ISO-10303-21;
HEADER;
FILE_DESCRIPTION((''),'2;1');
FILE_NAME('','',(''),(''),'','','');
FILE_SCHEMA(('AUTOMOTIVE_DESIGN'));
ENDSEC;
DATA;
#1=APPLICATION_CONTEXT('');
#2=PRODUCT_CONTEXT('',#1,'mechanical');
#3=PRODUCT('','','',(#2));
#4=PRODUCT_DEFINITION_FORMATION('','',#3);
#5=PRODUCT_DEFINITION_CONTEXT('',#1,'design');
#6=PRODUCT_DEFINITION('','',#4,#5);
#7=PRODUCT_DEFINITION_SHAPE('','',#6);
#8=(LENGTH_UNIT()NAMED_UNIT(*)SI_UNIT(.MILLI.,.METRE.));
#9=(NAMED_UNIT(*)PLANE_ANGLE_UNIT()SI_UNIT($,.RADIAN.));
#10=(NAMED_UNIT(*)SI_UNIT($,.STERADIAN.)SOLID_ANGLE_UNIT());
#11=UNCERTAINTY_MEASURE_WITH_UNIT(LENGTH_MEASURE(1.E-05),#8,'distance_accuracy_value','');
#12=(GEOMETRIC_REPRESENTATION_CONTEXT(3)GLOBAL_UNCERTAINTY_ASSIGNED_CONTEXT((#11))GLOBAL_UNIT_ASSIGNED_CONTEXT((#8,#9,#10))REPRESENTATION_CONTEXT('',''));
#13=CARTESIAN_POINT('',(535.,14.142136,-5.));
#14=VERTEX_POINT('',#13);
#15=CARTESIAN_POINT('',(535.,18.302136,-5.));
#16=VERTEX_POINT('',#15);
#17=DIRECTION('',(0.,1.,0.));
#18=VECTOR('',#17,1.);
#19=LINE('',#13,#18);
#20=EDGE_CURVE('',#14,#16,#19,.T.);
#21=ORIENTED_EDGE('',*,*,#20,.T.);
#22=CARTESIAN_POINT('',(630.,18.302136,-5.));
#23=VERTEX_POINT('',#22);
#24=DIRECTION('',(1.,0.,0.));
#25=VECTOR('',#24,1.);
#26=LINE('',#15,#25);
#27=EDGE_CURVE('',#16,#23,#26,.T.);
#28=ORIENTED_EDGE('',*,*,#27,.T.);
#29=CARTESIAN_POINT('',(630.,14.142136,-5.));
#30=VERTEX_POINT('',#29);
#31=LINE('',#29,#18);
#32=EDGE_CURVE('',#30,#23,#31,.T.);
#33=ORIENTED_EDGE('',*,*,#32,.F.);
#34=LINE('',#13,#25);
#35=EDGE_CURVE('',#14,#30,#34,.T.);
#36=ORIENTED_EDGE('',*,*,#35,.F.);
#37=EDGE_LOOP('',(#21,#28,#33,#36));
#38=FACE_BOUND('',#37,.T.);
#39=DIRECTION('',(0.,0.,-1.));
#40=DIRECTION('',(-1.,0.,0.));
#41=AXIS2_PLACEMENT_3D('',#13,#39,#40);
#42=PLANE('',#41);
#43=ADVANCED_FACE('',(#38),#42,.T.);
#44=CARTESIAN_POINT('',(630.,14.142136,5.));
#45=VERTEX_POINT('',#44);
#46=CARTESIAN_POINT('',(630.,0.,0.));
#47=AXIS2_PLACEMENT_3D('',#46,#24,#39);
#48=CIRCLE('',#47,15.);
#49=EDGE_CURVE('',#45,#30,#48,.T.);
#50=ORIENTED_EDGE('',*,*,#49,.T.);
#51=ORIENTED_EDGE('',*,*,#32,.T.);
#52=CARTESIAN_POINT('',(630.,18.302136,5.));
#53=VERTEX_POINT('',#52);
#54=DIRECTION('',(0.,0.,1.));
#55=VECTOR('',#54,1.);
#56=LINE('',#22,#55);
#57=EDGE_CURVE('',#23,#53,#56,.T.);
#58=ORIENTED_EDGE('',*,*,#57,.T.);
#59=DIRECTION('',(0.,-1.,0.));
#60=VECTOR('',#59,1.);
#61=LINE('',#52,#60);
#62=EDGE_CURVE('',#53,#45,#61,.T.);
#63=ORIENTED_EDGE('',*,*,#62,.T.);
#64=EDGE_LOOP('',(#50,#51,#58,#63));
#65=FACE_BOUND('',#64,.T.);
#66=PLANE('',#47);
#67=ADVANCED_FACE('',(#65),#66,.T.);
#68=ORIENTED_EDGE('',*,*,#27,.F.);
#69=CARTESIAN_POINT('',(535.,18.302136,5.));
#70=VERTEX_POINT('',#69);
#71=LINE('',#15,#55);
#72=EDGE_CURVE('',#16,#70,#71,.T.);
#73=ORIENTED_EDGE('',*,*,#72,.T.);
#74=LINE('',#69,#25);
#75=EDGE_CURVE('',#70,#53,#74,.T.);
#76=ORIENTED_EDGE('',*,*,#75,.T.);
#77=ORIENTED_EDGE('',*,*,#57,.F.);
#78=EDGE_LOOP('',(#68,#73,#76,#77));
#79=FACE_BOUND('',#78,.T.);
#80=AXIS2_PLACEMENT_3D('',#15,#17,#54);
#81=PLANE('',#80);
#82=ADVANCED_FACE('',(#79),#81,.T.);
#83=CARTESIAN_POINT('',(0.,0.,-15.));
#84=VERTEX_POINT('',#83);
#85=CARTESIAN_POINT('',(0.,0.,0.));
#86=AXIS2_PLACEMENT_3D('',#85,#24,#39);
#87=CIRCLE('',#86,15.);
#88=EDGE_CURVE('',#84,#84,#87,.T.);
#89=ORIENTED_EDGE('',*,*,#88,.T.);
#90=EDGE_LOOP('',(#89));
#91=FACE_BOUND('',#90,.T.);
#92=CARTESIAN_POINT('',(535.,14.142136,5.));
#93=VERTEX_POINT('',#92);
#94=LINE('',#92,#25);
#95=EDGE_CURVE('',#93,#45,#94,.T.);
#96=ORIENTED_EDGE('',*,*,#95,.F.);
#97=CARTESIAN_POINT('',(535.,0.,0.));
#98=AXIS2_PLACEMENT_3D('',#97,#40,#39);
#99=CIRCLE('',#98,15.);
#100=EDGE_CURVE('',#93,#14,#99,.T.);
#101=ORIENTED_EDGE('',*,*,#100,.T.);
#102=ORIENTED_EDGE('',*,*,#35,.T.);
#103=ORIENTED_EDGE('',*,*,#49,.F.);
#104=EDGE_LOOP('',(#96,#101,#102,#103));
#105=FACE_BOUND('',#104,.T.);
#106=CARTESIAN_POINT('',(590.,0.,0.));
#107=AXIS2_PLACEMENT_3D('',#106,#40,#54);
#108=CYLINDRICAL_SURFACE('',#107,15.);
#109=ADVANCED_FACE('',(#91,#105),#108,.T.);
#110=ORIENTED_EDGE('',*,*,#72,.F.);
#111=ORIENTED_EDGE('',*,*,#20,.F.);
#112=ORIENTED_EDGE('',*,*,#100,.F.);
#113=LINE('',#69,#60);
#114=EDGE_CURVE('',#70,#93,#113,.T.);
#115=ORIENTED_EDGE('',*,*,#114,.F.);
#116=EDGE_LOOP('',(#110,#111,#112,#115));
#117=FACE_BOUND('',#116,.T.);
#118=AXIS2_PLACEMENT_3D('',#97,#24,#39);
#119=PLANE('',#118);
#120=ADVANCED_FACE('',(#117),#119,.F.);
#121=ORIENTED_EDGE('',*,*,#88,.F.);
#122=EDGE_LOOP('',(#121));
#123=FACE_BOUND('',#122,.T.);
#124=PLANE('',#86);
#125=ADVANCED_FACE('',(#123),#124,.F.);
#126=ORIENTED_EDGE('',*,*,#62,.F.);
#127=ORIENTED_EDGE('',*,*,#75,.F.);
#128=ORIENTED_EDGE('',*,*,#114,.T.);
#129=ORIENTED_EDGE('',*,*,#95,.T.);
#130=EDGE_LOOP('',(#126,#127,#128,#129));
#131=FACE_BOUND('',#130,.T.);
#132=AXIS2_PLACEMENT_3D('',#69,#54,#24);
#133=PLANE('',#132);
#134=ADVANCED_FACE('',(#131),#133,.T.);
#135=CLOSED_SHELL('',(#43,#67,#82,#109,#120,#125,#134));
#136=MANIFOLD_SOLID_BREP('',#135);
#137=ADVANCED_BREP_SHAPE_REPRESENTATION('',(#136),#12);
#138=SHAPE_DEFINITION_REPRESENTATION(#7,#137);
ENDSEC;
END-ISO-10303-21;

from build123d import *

# Parameters (mm, degrees)
SKETCH1_R           = 15
BOSS_EXTRUDE1_DEPTH = 590
BOSS_EXTRUDE3_START = -55
BOSS_EXTRUDE3_DEPTH = 55
BOSS_EXTRUDE4_DEPTH = 40


with BuildPart() as part:
    # Sketch1 → Boss-Extrude1 (new body)
    with BuildSketch(Plane(origin=(0, 0, 0), x_dir=(0, 0, -1), z_dir=(1, 0, 0))):
        Circle(SKETCH1_R)
    extrude(amount=BOSS_EXTRUDE1_DEPTH)

    # Sketch2 → Boss-Extrude3 (add)
    with BuildSketch(Plane(origin=(590, 0, 0), x_dir=(0, 0, -1), z_dir=(1, 0, 0)).offset(BOSS_EXTRUDE3_START)):
        with BuildLine():
            Line((5, 14.142135624), (5, 18.302135624))
            Line((5, 18.302135624), (-5, 18.302135624))
            Line((-5, 18.302135624), (-5, 14.142135624))
            ThreePointArc((-5, 14.142135624), (0, 15), (5, 14.142135624))
        make_face()
    extrude(amount=BOSS_EXTRUDE3_DEPTH)

    # Sketch3 → Boss-Extrude4 (add)
    with BuildSketch(Plane(origin=(590, 0, 0), x_dir=(0, 0, -1), z_dir=(1, 0, 0))):
        with BuildLine():
            Line((-5, 18.302135624), (-5, 14.142135624))
            ThreePointArc((-5, 14.142135624), (0, -15), (5, 14.142135624))
            Line((5, 14.142135624), (5, 18.302135624))
            Line((5, 18.302135624), (-5, 18.302135624))
        make_face()
    extrude(amount=BOSS_EXTRUDE4_DEPTH)


solid = part.part
